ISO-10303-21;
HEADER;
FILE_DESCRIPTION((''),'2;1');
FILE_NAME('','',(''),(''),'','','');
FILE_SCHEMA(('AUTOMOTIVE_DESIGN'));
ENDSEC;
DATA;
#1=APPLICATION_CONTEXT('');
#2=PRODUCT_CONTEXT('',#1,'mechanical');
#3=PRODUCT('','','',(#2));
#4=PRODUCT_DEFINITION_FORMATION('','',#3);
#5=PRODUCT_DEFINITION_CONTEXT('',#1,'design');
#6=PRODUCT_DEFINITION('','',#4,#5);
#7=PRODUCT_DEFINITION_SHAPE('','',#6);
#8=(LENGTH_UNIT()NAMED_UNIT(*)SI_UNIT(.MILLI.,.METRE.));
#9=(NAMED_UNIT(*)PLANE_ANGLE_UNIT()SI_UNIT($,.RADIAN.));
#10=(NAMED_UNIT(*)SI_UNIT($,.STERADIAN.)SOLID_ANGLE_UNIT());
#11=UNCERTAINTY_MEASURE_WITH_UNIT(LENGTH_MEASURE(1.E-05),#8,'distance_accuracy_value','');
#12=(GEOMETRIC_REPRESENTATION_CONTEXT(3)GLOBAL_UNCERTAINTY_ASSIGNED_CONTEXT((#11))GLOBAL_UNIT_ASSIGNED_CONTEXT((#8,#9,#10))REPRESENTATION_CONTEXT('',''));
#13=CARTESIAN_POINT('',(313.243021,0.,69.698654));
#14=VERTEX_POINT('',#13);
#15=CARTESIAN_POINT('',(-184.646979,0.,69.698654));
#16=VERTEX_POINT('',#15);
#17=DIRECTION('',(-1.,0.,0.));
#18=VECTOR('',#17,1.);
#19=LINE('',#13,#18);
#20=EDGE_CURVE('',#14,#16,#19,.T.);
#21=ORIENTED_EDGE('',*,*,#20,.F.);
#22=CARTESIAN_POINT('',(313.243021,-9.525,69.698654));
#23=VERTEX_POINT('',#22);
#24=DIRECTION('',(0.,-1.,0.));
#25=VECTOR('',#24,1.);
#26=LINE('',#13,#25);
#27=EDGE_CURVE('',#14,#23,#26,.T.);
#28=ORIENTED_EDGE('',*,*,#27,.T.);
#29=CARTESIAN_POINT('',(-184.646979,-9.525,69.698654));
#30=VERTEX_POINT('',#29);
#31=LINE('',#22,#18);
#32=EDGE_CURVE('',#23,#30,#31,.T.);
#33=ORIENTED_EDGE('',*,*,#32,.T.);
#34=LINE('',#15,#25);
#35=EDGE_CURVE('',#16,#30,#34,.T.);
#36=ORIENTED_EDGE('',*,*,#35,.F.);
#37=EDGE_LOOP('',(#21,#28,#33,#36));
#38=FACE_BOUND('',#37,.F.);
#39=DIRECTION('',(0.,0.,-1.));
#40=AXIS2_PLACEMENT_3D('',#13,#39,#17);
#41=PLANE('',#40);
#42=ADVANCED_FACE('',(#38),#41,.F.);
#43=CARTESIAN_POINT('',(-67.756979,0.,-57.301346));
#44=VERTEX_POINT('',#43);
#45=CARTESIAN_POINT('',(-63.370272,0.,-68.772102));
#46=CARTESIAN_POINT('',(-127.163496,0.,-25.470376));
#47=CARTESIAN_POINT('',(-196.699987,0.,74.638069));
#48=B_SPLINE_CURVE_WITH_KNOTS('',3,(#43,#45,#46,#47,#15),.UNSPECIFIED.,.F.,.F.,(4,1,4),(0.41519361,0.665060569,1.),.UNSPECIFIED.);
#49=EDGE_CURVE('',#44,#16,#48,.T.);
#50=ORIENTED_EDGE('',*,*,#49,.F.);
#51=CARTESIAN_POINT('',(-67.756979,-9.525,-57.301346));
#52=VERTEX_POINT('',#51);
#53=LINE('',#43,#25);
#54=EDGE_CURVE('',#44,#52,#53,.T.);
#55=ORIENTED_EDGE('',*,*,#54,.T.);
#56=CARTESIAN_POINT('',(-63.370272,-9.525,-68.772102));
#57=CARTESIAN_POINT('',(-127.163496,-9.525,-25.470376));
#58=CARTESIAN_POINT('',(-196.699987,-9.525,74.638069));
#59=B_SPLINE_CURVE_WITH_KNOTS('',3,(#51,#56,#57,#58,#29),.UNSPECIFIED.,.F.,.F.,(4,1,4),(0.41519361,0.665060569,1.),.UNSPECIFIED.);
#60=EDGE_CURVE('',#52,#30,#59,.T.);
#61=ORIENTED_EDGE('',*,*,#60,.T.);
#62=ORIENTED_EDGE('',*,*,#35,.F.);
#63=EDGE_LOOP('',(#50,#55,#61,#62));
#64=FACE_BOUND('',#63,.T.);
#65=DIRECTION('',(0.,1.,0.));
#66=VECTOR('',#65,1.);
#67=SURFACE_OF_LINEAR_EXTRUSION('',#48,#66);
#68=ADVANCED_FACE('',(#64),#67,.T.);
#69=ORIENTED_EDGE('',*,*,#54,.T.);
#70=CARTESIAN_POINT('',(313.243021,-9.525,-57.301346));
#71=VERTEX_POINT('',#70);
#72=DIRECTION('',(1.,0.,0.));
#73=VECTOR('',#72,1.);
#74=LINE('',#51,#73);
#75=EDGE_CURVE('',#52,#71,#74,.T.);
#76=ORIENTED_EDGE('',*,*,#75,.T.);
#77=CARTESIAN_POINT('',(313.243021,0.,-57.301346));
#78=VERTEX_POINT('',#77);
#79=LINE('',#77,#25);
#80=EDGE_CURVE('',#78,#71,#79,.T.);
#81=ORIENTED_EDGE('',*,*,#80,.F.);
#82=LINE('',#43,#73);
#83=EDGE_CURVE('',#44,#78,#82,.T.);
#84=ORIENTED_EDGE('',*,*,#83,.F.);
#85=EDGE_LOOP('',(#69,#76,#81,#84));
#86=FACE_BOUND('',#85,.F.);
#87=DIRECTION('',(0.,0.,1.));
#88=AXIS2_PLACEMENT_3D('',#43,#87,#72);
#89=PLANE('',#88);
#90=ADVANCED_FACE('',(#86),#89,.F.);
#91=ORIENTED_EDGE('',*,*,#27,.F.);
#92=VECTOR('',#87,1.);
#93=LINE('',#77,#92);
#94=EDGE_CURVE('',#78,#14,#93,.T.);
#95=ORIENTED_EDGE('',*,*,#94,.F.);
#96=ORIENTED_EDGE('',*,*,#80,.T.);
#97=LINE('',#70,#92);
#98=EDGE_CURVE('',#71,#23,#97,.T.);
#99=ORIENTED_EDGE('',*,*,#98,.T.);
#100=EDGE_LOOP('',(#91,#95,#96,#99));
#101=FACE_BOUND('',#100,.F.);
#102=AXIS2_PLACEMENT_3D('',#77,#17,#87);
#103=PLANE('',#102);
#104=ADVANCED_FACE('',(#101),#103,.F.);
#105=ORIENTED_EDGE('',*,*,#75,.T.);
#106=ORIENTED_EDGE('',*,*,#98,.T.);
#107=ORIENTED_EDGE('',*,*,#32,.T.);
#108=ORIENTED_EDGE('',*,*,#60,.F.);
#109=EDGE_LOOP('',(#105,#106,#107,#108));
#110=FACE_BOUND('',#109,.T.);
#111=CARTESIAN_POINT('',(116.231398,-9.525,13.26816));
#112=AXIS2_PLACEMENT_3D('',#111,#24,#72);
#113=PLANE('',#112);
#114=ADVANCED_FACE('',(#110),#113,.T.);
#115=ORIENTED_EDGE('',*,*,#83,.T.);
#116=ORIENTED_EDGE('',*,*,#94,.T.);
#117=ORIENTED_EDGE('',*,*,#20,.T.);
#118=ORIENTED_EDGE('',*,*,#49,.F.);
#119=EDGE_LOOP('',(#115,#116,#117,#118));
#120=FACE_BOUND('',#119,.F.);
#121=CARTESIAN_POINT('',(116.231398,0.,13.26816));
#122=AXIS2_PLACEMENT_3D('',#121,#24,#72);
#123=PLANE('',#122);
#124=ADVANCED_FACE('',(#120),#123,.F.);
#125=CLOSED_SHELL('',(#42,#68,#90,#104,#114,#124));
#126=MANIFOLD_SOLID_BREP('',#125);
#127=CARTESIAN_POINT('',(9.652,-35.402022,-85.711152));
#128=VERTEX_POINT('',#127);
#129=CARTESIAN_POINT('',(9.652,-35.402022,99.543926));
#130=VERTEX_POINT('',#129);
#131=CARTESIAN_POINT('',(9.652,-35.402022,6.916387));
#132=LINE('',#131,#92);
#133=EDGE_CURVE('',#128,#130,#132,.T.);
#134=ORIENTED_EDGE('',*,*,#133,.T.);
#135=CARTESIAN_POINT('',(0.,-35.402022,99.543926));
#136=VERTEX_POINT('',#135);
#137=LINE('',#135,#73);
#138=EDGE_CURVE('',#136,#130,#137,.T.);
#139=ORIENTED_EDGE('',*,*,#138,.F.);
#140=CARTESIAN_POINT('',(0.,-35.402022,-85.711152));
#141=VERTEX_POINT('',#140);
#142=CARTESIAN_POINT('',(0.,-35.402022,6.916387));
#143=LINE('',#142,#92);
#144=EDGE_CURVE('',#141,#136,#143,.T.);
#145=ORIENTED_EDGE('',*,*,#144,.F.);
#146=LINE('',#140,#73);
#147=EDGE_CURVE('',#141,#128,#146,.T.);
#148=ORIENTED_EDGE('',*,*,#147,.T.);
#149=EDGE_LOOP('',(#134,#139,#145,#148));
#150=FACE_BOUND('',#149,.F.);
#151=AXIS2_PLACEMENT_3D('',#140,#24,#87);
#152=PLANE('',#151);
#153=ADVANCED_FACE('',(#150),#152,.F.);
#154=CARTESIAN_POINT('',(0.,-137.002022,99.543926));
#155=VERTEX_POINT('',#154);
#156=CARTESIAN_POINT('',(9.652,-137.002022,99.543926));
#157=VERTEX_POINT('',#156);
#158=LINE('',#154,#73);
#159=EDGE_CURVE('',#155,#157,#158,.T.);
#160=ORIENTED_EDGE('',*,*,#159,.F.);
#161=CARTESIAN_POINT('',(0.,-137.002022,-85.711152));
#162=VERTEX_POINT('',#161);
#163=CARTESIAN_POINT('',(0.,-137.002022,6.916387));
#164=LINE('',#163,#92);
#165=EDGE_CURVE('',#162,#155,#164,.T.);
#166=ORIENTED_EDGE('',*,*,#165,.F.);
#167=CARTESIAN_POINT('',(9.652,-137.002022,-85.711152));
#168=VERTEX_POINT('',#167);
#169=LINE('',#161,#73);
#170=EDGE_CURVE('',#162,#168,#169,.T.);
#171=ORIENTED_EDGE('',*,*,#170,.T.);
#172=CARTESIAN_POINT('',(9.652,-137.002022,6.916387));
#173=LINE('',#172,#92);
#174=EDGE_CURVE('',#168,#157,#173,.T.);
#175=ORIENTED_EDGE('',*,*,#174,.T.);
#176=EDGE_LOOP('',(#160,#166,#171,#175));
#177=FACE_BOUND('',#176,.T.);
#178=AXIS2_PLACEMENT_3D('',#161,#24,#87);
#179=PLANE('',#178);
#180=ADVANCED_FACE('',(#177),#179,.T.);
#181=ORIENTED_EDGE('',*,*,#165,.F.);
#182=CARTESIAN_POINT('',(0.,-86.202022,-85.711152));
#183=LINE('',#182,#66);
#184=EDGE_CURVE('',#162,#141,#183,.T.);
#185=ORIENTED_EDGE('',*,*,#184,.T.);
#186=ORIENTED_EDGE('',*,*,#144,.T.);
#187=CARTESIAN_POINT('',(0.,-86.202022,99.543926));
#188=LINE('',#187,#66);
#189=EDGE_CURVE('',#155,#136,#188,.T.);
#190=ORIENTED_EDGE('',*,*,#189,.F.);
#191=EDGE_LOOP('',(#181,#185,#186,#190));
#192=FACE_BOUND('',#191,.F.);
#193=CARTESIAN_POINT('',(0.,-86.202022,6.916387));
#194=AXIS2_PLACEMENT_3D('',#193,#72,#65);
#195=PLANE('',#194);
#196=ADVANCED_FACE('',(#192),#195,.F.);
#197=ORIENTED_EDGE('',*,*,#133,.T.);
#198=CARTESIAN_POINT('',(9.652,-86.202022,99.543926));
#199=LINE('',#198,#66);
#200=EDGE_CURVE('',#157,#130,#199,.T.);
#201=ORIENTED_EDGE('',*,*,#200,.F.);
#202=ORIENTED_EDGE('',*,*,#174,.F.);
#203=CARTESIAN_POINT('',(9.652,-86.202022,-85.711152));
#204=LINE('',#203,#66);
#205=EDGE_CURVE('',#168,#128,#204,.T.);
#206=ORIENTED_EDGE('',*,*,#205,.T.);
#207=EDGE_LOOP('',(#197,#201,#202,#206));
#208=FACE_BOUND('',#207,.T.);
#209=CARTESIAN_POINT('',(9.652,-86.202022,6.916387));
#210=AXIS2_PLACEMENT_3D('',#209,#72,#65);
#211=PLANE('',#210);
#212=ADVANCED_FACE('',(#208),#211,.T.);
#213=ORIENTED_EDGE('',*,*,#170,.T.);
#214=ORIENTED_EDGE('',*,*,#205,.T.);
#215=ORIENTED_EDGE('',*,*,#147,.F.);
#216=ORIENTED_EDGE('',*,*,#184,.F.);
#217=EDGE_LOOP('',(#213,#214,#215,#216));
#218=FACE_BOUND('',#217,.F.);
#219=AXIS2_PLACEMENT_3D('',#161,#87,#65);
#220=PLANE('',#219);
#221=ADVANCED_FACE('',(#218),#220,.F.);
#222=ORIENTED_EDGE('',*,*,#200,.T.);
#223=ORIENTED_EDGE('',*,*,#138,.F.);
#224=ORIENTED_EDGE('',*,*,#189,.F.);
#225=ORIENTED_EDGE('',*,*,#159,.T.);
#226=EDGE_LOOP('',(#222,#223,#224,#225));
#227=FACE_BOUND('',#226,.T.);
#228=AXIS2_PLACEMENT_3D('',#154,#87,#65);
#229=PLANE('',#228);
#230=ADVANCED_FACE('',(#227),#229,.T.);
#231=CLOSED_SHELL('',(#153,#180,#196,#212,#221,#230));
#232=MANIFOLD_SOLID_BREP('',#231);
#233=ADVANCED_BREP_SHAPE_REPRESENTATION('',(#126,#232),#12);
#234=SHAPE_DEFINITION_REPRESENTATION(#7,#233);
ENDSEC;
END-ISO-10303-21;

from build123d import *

# Parameters (mm, degrees)
F0_W     = 367.9767533813
F0_H     = 112.8609888256
F1_DEPTH = 9.525
F2_W     = 101.6
F2_H     = 185.2550778
F3_DEPTH = 9.652


with BuildPart() as f1:
    # F0 (on Front) → F1 (new body)
    with BuildSketch(Plane.XZ):
        with Locations((116.2313975556, 13.2681597024)):
            Rectangle(F0_W, F0_H)
        with BuildLine():
            Line((-67.756979135, -43.1623347104), (-67.756979135, 69.6986541152))
            Line((-67.756979135, 69.6986541152), (-184.6469789743, 69.6986541152))
            add(Edge.make_bspline(
                [(-184.6469789743, 69.6986541152), (-169.7059729536, 63.5757160212), (-75.0461899969, -38.240863824), (-67.756979135, -57.3013458848)],
                knots=[0, 0, 0, 0, 0.4151936097, 0.4151936097, 0.4151936097, 0.4151936097], degree=3))
            Line((-67.756979135, -57.3013458848), (-67.756979135, -43.1623347104))
        make_face()
        Polygon((313.243020865, 69.6986541152), (300.2197742462, 69.6986541152), (300.2197742462, -43.1623347104), (-67.756979135, -43.1623347104), (-67.756979135, -57.3013458848), (313.243020865, -57.3013458848), align=None)
        with BuildLine():
            add(Edge.make_bspline(
                [(-184.6469789743, 69.6986541152), (-169.7059729536, 63.5757160212), (-75.0461899969, -38.240863824), (-67.756979135, -57.3013458848)],
                knots=[0, 0, 0, 0, 0.4151936097, 0.4151936097, 0.4151936097, 0.4151936097], degree=3))
            add(Edge.make_bspline(
                [(-67.756979135, -57.3013458848), (-63.3702715526, -68.7721021527), (-127.1634956509, -25.4703757202), (-196.6999873394, 74.638068768), (-184.6469789743, 69.6986541152)],
                knots=[0.4151936097, 0.4151936097, 0.4151936097, 0.4151936097, 0.6650605693, 1, 1, 1, 1], degree=3))
        make_face()
    extrude(amount=F1_DEPTH)


with BuildPart() as f3:
    # F2 (on Right) → F3 (new body)
    with BuildSketch(Plane.YZ):
        with Locations((-86.2020223837, 6.9163870066)):
            Rectangle(F2_W, F2_H)
    extrude(amount=F3_DEPTH)


solid = Compound([f1.part, f3.part])
